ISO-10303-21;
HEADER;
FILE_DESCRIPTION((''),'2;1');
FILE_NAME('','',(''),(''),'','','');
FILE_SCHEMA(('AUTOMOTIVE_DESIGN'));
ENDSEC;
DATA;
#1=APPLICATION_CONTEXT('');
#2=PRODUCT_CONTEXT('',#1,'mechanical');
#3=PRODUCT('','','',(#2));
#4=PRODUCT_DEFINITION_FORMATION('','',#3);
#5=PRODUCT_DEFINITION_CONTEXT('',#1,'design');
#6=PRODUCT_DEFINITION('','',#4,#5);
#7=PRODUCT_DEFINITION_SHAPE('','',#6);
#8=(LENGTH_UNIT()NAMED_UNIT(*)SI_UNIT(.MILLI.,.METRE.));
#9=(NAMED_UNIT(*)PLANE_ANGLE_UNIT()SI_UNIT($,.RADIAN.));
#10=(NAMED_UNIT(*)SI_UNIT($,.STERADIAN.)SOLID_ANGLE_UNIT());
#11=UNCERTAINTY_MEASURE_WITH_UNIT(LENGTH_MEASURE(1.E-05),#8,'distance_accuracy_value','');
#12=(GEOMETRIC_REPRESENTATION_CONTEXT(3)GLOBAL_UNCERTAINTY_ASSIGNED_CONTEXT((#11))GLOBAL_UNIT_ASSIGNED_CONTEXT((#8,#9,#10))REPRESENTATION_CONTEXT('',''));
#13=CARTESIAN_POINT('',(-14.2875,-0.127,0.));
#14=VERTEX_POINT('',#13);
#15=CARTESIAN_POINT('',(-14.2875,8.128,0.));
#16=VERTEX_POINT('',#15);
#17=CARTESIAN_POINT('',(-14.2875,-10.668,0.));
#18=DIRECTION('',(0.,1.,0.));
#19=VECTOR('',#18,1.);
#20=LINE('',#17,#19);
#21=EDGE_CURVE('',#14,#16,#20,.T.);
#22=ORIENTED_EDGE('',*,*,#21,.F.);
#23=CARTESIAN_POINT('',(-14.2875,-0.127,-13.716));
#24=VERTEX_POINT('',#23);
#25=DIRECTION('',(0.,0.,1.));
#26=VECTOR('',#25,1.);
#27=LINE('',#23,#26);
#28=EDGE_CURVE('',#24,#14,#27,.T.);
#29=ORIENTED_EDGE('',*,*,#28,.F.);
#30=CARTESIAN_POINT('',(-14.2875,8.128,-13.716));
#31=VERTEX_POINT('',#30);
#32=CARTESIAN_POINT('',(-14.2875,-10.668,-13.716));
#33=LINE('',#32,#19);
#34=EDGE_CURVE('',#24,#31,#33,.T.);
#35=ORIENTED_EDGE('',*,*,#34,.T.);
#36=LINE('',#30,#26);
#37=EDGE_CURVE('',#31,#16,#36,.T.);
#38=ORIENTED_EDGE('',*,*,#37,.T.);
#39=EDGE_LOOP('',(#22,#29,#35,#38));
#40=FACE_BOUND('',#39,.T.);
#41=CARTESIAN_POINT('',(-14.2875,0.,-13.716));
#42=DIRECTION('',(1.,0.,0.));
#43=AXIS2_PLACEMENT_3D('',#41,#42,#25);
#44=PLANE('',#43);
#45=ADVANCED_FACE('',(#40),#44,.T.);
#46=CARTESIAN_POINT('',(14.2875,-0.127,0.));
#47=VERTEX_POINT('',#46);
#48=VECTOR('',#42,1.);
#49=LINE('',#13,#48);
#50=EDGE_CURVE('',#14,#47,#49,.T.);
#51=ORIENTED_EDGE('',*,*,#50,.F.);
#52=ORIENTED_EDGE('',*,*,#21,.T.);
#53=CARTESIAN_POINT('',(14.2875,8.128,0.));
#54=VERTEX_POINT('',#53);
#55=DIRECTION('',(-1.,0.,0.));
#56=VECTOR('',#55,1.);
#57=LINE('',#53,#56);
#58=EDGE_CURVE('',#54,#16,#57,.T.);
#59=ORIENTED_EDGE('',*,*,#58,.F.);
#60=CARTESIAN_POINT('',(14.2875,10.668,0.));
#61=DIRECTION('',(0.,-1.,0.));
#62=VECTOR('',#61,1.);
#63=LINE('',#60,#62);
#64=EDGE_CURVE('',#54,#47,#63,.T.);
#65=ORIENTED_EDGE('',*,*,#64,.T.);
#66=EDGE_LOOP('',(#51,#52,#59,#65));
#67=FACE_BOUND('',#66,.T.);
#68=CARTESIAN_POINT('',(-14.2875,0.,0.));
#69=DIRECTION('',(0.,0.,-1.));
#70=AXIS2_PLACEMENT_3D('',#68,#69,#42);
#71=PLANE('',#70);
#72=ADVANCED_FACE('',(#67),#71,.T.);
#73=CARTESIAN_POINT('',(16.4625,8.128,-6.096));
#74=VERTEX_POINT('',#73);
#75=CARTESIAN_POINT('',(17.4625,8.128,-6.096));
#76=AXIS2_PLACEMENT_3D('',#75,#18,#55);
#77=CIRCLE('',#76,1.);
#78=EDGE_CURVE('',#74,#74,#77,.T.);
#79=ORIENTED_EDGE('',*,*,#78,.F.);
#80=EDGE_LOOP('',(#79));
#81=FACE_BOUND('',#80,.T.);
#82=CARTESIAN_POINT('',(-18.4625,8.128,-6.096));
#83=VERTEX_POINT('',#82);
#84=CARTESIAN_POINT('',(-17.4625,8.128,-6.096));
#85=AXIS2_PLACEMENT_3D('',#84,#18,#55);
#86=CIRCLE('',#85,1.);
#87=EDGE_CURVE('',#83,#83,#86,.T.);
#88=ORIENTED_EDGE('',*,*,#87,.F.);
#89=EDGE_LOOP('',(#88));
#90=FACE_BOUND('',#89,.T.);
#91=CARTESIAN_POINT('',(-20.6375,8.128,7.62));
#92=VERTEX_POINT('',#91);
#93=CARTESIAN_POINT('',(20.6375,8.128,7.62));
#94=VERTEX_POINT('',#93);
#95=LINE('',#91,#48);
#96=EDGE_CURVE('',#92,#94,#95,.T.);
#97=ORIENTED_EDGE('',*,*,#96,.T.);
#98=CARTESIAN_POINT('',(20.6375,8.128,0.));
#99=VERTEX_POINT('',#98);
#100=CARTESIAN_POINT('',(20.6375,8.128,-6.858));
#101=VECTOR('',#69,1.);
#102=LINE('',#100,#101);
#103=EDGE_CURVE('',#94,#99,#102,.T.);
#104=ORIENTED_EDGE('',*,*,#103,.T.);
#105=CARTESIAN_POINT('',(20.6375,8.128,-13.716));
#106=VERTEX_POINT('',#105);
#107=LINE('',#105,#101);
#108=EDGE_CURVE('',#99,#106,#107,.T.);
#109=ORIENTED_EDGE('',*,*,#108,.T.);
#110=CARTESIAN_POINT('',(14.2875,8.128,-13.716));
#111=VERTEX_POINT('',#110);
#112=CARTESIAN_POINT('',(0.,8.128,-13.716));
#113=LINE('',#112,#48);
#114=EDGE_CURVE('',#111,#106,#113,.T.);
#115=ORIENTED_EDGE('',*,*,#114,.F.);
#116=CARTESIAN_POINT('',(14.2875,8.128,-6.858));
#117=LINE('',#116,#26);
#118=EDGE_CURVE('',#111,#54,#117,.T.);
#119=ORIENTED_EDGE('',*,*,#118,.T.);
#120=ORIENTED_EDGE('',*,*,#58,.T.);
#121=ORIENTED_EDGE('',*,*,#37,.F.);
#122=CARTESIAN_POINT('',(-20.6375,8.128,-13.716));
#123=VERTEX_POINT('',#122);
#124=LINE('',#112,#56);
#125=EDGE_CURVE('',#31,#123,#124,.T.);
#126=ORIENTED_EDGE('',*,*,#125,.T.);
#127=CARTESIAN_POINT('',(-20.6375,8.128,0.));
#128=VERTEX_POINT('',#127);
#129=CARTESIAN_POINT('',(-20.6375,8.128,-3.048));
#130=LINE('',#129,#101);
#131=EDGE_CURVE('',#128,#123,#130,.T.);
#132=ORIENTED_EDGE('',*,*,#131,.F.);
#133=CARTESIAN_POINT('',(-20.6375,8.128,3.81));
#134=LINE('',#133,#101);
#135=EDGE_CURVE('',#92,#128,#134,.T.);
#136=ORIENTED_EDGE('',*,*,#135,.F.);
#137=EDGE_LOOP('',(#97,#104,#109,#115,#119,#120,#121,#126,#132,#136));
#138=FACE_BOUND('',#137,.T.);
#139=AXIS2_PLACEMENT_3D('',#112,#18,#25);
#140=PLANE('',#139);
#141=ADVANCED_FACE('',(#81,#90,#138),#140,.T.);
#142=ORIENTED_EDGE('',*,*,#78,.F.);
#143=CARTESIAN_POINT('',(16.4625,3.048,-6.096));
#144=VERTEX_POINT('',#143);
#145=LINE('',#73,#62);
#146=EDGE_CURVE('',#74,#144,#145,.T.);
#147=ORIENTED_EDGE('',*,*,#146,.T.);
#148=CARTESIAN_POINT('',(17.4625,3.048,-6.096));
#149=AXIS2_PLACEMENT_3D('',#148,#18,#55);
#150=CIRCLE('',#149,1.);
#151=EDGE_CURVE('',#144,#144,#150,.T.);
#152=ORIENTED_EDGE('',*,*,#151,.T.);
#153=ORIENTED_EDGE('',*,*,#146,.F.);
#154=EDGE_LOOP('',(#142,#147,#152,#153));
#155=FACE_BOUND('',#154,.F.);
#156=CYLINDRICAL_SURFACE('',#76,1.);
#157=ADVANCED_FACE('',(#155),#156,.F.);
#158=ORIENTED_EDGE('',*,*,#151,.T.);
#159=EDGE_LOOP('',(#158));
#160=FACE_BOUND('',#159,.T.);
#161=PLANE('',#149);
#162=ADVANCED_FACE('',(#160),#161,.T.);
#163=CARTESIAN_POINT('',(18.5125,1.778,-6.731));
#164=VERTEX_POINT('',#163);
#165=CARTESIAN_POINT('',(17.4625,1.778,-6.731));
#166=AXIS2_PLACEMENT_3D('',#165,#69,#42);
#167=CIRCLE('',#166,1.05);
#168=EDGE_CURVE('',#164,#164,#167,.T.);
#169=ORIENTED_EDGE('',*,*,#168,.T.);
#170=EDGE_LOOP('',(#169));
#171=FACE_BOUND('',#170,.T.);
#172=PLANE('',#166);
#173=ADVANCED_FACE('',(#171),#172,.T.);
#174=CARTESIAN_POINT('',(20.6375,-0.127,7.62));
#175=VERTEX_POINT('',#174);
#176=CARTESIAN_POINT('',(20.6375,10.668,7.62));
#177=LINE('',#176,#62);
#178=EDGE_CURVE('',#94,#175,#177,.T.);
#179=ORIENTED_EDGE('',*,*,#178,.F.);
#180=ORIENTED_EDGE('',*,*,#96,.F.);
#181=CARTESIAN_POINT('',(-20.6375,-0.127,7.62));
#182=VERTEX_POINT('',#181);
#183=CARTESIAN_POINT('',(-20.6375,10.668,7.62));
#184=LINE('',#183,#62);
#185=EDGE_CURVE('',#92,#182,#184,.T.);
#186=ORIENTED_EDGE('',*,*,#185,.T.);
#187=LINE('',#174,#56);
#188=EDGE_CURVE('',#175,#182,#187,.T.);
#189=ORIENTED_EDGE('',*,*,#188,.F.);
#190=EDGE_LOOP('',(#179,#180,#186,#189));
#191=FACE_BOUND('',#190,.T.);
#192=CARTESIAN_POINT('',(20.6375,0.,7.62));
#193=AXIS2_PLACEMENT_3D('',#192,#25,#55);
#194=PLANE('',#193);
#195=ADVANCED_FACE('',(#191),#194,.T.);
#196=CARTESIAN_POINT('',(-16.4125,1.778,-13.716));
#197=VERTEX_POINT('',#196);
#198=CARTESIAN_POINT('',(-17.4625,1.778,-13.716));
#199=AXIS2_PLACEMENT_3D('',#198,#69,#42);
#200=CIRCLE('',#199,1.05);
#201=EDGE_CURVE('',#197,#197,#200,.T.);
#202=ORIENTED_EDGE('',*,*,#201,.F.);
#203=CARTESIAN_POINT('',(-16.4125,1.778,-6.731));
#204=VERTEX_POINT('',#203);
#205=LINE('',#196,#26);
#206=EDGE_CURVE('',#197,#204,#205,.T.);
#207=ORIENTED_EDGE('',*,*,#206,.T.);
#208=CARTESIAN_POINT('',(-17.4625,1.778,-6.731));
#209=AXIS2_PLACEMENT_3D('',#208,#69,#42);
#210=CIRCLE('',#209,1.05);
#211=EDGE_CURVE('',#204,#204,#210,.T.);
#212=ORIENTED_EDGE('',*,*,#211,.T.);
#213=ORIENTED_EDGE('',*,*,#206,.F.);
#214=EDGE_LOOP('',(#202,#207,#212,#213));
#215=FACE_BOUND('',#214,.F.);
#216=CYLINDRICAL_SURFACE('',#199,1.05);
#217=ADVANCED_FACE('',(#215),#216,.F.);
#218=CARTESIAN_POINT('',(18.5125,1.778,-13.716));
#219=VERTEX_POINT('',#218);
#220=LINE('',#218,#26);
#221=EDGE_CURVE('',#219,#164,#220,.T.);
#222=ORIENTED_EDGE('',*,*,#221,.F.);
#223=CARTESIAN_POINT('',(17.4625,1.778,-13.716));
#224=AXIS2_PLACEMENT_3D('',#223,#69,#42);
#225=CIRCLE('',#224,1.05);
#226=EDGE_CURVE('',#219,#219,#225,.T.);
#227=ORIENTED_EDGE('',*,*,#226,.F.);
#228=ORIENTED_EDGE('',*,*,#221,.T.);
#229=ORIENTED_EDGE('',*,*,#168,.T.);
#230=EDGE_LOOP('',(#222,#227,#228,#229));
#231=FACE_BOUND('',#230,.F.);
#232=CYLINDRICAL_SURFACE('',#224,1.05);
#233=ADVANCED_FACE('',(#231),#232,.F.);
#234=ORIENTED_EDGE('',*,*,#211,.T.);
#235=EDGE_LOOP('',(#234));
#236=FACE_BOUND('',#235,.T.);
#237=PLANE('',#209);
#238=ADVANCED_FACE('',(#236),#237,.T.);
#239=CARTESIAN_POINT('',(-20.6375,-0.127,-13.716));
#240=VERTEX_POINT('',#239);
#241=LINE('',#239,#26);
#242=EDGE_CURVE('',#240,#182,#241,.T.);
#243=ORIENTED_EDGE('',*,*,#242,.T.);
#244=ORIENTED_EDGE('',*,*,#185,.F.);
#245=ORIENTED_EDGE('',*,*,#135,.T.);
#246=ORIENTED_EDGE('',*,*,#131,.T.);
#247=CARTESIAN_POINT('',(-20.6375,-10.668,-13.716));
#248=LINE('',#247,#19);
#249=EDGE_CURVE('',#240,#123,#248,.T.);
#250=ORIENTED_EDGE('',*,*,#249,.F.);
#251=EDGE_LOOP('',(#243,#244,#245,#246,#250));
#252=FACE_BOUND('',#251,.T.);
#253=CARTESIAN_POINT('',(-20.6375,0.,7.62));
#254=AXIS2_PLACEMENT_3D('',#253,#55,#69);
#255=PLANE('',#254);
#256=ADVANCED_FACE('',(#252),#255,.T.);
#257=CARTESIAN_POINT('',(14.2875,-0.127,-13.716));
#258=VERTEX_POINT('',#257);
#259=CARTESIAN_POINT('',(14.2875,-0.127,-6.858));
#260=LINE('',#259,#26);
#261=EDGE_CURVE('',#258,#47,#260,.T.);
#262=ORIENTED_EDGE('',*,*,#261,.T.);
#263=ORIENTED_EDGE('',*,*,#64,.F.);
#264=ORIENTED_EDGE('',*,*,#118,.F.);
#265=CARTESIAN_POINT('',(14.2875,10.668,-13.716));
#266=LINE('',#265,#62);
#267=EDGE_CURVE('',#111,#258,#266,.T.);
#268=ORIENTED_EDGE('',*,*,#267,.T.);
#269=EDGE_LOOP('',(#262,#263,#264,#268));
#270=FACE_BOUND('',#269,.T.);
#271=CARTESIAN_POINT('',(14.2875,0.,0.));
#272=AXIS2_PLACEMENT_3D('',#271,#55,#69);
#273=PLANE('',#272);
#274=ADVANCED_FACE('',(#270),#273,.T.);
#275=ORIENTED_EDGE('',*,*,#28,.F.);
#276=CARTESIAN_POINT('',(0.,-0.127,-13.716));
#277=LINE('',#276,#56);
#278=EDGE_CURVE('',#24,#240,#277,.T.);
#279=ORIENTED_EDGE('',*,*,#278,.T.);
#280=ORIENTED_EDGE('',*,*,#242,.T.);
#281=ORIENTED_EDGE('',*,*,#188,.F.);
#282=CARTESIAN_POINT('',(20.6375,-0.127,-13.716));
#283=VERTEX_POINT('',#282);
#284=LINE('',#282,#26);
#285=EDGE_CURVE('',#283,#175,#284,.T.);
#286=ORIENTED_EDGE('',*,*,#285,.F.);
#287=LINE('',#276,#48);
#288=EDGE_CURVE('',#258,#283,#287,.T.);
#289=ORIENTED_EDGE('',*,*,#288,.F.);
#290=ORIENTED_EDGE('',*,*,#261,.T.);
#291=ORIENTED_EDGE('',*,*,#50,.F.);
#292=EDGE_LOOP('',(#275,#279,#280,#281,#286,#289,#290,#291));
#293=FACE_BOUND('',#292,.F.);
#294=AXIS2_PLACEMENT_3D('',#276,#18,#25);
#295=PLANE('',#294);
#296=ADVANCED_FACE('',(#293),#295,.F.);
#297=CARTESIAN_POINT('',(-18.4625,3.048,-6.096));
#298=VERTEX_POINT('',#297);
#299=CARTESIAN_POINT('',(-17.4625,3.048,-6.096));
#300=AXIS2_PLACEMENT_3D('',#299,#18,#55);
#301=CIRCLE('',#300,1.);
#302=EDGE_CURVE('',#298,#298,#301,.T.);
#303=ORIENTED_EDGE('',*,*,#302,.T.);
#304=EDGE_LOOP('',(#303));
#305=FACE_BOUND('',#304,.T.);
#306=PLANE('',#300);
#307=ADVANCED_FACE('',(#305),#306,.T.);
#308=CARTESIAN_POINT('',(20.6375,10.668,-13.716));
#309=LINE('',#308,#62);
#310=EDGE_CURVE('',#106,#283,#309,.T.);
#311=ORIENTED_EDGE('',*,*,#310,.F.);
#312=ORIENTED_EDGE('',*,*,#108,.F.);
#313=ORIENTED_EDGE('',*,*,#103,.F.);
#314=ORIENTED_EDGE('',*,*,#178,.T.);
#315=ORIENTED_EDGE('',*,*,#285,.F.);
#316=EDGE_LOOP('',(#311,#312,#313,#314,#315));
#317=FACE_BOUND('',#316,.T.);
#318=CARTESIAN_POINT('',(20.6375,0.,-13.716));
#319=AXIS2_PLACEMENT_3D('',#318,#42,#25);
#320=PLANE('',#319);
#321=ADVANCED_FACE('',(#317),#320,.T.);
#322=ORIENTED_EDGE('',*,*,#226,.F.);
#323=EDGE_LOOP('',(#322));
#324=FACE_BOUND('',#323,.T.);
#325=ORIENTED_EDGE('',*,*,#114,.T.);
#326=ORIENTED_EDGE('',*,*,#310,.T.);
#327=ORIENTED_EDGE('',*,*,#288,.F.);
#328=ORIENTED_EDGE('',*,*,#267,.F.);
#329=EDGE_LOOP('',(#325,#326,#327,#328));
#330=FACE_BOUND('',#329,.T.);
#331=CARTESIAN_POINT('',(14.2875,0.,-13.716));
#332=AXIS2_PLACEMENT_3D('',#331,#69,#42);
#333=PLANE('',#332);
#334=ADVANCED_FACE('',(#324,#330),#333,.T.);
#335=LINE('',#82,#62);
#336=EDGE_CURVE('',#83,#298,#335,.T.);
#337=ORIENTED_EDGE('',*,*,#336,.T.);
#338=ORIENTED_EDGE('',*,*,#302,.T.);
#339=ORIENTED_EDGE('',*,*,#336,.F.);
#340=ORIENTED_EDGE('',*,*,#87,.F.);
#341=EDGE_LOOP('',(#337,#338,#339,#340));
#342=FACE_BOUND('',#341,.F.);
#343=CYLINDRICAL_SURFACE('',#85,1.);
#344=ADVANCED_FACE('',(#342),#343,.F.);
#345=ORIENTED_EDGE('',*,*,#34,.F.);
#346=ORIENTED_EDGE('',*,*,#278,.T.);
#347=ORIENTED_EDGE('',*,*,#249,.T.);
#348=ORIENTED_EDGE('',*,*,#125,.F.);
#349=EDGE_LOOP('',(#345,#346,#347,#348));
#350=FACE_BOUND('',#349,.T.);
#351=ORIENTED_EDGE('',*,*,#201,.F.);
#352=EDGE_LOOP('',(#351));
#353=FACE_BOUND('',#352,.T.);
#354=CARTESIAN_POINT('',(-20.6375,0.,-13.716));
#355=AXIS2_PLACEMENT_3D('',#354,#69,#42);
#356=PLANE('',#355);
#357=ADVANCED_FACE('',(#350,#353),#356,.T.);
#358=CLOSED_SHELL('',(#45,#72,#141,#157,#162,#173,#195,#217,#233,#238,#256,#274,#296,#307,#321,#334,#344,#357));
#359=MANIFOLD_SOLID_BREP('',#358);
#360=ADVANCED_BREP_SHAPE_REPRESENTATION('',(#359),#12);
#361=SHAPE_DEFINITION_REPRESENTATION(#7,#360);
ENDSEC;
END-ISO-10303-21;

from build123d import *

# Parameters (mm, degrees)
F1_DEPTH      = 10.668
F2_W          = 2.54
F2_H          = 13.716
F2_W_2        = 10.541
F3_DEPTH      = 20.6385
F3_DEPTH_BACK = 20.6385
F4_R          = 1
F5_DEPTH      = 5.08
F6_R          = 1.05
F7_DEPTH      = 6.985
F8_W          = 11.4453516792
F8_H          = 8.6245518178
F8_W_2        = 4.2650750415
F9_DEPTH      = 20.6385
F9_DEPTH_BACK = 20.6385


with BuildPart() as f1:
    # F0 (on Front) → F1 (new body, symmetric)
    with BuildSketch(Plane.XZ):
        Polygon((-14.2875, 0), (0, 0), (14.2875, 0), (14.2875, -13.716), (20.6375, -13.716), (20.6375, 7.62), (0, 7.62), (-20.6375, 7.62), (-20.6375, -13.716), (-14.2875, -13.716), align=None)
    extrude(amount=F1_DEPTH, both=True)

    # F2 (on Right) → F3 (cut, two sides)
    with BuildSketch(Plane.YZ) as f3_sk:
        with Locations((9.398, -6.858)):
            Rectangle(F2_W, F2_H)
        with Locations((-5.3975, -6.858)):
            Rectangle(F2_W_2, F2_H)
    extrude(amount=-F3_DEPTH, mode=Mode.SUBTRACT)
    extrude(f3_sk.sketch, amount=F3_DEPTH_BACK, mode=Mode.SUBTRACT)

    # F4 (on face) → F5 (cut)
    with BuildSketch(Plane(origin=(0, 8.128, 0), x_dir=(-1, 0, 0), z_dir=(0, 1, 0))):
        with Locations((-17.4625, -6.096)):
            Circle(F4_R)
        with Locations((17.4625, -6.096)):
            Circle(F4_R)
    extrude(amount=-F5_DEPTH, mode=Mode.SUBTRACT)

    # F6 (on face) → F7 (cut)
    with BuildSketch(Plane(origin=(0, 0, -13.716), x_dir=(1, 0, 0), z_dir=(0, 0, -1))):
        with Locations((-17.4625, -1.778)):
            Circle(F6_R)
        with Locations((17.4625, -1.778)):
            Circle(F6_R)
    extrude(amount=-F7_DEPTH, mode=Mode.SUBTRACT)

    # F8 (on Right) → F9 (cut, two sides)
    with BuildSketch(Plane.YZ) as f9_sk:
        with Locations((-5.8496758396, 4.3122759089)):
            Rectangle(F8_W, F8_H)
        with Locations((10.2605375207, 4.3122759089)):
            Rectangle(F8_W_2, F8_H)
    extrude(amount=F9_DEPTH, mode=Mode.SUBTRACT)
    extrude(f9_sk.sketch, amount=-F9_DEPTH_BACK, mode=Mode.SUBTRACT)


solid = f1.part
